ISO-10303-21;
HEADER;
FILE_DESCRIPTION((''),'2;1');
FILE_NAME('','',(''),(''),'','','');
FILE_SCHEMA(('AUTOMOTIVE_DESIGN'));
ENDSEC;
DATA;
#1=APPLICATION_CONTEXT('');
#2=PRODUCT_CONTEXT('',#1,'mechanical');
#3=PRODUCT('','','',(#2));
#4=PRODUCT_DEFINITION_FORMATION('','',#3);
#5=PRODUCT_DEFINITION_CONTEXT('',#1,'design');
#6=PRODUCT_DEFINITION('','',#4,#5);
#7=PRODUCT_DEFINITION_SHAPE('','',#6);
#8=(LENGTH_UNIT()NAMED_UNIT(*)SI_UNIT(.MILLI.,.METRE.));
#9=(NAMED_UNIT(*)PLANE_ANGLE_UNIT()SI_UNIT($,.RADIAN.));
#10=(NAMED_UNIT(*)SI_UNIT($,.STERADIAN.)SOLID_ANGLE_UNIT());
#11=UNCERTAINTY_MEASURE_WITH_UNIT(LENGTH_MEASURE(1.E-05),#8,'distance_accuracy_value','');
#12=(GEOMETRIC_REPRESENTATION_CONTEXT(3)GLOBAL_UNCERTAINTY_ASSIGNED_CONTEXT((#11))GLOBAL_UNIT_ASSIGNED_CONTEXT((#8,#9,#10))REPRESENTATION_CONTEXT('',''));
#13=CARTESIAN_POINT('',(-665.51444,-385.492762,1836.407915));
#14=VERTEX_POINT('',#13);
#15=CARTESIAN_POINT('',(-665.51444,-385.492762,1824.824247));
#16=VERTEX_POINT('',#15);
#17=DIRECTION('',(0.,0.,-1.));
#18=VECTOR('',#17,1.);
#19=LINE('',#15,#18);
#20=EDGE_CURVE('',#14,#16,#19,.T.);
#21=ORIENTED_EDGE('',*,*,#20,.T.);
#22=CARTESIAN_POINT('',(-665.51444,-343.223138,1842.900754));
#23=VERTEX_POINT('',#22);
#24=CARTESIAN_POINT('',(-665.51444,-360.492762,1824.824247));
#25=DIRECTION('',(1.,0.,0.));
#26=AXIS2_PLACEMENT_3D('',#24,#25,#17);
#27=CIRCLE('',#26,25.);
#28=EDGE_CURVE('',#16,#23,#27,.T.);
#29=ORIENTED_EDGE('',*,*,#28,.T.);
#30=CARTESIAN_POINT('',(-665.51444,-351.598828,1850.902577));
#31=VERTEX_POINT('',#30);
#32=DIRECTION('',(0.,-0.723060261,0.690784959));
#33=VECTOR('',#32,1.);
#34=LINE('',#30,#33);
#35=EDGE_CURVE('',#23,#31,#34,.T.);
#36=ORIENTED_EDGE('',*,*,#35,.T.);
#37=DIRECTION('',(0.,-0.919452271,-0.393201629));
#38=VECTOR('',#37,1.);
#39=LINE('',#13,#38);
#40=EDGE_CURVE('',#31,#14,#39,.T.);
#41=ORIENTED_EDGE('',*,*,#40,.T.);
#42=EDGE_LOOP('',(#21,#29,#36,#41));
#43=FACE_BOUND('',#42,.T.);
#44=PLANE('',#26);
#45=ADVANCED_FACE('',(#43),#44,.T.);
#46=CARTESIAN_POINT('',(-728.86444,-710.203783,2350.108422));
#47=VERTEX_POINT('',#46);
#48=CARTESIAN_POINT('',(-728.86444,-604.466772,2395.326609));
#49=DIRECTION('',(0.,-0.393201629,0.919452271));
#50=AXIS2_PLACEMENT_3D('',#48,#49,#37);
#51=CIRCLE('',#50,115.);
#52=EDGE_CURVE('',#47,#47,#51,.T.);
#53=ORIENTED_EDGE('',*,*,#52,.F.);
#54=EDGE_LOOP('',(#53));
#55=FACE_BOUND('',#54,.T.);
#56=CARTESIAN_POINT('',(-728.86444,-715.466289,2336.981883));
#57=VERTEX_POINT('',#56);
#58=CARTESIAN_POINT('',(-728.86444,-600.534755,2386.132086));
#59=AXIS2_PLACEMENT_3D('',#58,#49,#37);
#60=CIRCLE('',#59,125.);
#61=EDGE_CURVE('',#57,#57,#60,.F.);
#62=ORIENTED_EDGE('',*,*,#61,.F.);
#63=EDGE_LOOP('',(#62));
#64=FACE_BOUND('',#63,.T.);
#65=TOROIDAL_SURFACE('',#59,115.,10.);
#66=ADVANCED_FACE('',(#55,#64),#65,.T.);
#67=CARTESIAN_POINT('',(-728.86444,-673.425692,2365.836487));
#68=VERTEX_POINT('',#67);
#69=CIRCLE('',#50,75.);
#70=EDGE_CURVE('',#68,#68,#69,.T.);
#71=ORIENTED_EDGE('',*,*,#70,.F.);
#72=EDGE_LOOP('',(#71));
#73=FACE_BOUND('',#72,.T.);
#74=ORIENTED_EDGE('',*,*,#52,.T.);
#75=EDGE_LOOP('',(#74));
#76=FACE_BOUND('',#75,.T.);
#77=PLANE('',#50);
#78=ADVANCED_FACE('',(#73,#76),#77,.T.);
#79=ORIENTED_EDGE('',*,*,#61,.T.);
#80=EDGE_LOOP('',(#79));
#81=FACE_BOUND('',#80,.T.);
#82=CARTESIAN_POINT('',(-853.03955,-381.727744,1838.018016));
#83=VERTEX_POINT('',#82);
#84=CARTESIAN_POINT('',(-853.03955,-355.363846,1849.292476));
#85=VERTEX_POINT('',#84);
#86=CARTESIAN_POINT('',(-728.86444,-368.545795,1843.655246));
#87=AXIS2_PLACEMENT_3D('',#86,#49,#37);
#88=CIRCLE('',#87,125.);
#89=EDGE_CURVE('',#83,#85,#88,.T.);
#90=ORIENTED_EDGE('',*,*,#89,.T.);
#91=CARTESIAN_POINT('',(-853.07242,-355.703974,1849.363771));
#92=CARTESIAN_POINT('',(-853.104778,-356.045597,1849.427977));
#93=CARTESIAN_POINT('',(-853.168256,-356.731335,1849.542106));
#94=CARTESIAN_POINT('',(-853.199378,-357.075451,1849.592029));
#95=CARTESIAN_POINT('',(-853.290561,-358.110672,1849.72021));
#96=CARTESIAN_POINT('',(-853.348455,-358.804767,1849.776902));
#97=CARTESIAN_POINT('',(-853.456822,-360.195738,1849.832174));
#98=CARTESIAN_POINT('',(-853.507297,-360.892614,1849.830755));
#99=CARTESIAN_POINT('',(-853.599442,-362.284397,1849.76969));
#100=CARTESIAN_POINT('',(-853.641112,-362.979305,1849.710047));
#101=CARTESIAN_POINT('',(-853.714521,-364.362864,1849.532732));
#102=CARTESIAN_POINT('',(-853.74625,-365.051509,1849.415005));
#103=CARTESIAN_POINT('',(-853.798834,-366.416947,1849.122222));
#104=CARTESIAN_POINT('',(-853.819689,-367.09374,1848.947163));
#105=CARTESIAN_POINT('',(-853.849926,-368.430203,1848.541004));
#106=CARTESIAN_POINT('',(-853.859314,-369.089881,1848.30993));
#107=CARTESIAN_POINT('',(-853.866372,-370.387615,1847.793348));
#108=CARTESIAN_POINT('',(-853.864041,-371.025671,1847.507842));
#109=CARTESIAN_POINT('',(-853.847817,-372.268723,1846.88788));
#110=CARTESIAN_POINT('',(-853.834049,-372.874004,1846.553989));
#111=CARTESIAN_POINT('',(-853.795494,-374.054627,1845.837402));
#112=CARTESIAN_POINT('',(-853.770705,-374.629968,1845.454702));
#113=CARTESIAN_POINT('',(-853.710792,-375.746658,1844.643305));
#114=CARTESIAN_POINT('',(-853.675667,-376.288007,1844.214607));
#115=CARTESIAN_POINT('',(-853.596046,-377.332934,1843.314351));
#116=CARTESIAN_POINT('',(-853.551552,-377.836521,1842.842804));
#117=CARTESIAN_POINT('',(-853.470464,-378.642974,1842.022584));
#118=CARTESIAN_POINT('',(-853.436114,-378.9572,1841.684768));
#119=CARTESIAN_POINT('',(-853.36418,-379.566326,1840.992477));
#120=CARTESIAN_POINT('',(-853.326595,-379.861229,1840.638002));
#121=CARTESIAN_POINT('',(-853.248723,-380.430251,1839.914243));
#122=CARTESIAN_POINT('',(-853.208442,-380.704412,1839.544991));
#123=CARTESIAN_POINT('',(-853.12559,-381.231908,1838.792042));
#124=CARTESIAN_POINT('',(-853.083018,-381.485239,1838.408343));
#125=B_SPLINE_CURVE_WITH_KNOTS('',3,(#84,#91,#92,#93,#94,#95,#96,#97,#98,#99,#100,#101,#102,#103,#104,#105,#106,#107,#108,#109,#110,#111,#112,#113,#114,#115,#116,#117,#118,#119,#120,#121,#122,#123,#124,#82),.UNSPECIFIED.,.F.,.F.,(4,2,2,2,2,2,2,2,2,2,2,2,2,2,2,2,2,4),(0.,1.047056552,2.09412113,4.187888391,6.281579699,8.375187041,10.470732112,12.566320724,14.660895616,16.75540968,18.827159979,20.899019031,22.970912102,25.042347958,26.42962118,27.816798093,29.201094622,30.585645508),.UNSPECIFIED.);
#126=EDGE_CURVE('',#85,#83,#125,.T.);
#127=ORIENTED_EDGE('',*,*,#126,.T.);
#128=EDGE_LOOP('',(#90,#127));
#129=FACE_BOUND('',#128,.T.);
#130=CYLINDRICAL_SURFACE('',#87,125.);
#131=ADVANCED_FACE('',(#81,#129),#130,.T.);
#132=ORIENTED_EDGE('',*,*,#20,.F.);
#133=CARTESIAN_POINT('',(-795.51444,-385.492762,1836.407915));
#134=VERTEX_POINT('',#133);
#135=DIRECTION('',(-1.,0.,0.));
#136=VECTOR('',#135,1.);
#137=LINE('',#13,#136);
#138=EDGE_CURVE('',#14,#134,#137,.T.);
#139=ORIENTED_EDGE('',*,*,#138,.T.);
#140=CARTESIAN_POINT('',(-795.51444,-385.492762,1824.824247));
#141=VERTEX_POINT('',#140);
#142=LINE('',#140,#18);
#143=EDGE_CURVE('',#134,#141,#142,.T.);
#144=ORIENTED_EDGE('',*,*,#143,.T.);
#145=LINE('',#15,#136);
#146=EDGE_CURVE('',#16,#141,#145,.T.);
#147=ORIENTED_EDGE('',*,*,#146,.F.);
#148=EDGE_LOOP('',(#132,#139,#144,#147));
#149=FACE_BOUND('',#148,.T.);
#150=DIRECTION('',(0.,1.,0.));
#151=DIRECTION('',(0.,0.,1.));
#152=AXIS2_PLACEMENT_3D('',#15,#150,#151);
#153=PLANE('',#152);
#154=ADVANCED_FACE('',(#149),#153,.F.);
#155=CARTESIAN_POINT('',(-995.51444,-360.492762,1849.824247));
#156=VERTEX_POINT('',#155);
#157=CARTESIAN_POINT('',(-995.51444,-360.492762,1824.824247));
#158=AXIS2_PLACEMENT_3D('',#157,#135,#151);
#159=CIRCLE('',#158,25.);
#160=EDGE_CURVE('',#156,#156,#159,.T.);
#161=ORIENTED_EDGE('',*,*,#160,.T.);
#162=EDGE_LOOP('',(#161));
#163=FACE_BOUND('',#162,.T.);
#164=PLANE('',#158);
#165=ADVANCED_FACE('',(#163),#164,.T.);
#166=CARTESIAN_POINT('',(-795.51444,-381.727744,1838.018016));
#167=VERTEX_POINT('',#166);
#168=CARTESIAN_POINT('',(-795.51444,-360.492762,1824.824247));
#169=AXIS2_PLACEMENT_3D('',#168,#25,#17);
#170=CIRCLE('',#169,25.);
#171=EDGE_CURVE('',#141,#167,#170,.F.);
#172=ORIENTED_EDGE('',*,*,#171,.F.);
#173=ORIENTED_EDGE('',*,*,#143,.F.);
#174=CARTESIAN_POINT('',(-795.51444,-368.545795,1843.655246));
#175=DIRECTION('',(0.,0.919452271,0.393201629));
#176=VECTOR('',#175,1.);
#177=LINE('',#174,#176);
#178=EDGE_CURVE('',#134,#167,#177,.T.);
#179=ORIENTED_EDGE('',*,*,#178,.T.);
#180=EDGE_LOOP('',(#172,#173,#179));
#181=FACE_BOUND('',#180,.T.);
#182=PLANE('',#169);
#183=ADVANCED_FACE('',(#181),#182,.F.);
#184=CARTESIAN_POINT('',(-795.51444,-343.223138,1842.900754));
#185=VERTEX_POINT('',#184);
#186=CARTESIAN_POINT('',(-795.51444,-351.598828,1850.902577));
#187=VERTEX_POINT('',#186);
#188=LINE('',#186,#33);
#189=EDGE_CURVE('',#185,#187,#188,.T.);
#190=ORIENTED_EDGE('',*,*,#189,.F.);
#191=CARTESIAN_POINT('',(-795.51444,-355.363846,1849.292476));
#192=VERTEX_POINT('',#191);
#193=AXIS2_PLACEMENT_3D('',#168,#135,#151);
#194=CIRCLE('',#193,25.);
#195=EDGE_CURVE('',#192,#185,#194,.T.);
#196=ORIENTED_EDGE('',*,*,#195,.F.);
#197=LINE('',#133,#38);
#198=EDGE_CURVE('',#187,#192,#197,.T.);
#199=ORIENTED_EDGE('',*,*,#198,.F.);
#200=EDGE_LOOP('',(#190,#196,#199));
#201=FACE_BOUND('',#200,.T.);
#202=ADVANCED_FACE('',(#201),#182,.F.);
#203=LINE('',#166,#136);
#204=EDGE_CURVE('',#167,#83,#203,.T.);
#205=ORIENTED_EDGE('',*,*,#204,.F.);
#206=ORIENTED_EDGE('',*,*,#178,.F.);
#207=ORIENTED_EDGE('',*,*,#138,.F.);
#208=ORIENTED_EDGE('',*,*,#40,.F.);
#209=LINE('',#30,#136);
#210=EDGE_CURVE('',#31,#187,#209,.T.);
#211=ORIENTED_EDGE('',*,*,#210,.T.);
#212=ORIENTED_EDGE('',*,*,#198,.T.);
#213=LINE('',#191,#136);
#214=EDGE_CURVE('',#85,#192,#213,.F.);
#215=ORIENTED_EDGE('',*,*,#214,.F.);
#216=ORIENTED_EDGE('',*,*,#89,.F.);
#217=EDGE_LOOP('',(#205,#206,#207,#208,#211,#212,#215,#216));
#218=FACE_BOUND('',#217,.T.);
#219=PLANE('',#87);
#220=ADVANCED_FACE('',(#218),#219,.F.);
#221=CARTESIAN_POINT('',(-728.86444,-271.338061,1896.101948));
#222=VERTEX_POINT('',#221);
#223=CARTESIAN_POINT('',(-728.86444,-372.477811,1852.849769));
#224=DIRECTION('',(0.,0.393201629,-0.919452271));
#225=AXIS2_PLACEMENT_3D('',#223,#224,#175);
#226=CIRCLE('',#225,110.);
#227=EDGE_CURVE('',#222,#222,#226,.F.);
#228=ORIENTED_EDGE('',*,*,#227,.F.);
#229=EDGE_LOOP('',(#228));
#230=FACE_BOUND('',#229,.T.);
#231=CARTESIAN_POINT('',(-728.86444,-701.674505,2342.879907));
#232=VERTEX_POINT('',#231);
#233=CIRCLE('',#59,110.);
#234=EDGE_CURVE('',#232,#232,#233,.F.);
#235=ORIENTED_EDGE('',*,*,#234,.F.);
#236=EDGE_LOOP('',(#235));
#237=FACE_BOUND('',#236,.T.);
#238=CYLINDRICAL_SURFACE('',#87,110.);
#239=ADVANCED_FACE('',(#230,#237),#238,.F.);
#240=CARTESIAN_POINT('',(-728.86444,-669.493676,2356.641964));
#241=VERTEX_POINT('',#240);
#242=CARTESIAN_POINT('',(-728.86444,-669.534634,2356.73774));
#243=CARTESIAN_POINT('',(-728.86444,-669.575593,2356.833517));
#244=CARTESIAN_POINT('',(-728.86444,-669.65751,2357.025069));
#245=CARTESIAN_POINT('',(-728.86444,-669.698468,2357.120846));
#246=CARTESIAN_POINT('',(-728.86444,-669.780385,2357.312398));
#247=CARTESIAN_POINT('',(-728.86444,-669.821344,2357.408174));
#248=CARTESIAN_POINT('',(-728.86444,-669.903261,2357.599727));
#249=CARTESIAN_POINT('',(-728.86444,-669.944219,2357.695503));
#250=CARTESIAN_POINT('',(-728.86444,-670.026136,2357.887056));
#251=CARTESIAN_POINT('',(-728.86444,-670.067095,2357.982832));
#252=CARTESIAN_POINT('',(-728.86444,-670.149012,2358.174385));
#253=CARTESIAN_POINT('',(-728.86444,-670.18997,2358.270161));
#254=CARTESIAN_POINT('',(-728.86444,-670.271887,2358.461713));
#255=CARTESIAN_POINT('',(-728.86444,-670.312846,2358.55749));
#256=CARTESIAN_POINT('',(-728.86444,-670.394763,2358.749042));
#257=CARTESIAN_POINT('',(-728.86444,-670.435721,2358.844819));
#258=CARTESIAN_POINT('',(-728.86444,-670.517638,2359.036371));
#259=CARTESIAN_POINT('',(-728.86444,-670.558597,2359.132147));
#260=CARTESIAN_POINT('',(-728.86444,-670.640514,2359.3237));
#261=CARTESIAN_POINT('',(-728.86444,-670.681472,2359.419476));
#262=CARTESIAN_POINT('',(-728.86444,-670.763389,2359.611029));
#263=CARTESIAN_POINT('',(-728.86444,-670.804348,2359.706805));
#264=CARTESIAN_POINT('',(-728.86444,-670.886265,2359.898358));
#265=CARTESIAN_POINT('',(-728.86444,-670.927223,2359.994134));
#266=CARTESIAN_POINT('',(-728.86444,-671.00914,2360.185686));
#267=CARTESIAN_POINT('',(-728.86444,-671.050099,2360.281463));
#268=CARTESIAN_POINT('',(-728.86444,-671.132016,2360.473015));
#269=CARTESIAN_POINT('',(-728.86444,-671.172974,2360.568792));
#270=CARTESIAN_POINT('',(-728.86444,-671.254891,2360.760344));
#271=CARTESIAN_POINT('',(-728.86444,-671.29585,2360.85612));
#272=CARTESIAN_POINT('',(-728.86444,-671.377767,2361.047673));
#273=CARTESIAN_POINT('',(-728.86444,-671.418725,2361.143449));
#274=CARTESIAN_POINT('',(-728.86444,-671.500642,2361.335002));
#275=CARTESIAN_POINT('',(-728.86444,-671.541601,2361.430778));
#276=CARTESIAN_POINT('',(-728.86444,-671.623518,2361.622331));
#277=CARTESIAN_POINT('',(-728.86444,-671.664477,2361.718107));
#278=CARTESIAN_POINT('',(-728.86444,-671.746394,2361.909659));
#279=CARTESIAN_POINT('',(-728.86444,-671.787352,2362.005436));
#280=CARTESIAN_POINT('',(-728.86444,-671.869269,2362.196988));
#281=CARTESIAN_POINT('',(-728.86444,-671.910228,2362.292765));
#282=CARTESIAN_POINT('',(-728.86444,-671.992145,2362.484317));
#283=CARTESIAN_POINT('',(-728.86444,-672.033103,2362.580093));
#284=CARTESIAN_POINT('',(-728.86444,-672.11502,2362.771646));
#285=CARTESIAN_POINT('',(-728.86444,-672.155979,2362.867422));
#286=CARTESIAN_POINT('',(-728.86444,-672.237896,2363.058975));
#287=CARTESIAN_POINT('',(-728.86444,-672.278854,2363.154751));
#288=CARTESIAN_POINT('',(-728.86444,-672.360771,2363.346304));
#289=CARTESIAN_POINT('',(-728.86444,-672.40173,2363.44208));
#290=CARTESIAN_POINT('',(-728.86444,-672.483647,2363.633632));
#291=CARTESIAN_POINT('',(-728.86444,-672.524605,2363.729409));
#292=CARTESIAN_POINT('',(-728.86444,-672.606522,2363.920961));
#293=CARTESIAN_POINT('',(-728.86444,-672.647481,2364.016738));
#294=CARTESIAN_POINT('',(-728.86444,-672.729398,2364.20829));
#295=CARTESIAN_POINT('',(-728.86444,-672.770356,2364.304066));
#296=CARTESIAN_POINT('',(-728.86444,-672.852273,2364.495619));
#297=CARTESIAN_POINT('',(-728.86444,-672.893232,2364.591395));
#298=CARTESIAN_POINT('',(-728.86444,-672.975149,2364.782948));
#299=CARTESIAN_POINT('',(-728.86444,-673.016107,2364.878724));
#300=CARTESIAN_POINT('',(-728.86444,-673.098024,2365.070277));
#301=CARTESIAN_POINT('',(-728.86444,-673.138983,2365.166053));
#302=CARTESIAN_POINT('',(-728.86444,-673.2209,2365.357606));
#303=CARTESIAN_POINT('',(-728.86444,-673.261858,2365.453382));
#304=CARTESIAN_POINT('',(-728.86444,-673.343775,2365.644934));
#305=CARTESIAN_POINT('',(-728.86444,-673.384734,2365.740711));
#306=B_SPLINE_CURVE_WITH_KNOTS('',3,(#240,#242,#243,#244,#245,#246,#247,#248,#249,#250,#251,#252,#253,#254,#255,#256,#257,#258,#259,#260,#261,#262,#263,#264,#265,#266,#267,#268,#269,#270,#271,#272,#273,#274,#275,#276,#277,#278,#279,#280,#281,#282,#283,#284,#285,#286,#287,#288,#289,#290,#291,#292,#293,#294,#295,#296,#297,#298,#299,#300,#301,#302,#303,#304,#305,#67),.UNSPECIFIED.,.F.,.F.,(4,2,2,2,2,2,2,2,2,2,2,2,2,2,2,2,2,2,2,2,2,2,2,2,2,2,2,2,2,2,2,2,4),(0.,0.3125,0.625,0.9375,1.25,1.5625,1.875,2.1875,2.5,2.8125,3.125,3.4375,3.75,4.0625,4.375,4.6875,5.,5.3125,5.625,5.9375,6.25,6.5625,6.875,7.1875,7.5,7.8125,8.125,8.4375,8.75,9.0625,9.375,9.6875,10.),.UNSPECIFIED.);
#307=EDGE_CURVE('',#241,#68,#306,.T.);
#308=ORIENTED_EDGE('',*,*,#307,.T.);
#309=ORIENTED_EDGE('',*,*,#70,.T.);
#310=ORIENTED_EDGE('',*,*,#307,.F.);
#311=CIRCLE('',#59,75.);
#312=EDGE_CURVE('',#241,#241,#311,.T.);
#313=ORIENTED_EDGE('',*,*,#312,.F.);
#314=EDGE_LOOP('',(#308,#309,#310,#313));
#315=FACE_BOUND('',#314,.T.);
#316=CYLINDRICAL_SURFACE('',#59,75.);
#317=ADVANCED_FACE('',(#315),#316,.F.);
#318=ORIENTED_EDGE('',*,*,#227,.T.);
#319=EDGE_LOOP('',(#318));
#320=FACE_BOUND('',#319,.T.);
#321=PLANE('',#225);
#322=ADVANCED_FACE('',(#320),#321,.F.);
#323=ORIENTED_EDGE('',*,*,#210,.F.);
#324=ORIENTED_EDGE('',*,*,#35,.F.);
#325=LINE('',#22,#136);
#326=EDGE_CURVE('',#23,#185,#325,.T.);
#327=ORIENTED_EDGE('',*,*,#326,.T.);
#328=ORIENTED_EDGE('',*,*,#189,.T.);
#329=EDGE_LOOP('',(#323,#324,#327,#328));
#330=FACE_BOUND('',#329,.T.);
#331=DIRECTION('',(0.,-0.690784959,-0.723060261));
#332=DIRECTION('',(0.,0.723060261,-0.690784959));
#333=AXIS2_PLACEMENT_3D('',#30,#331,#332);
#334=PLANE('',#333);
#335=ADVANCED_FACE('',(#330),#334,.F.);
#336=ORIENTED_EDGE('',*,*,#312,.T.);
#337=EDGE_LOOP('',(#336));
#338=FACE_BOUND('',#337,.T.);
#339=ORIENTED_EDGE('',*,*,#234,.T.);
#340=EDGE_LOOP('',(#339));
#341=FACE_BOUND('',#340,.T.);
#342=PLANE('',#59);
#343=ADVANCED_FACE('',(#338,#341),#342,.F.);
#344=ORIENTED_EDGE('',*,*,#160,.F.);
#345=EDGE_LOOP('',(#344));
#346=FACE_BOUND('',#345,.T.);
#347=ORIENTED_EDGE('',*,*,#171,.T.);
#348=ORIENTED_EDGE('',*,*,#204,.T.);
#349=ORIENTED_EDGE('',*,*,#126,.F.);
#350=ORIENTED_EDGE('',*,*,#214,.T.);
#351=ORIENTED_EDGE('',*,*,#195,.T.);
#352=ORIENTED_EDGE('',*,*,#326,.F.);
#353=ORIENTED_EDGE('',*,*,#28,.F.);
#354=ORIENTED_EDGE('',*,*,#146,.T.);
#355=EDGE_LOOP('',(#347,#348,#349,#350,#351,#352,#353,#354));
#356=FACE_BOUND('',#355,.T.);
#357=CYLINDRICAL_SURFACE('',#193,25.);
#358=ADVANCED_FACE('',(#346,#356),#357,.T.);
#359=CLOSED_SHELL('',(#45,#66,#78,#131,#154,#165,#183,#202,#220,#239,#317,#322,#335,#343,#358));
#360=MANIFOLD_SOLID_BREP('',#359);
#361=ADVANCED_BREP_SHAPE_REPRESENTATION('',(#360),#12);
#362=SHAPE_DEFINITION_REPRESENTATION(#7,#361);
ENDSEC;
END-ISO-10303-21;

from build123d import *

# Parameters (mm, degrees)
CROQUIS2_R              = 25.000000002
SALIENTE_EXTRUIR1_DEPTH = 200
SALIENTE_EXTRUIR3_START = -550
CROQUIS5_R              = 125
CROQUIS5_R_2            = 110
SALIENTE_EXTRUIR3_DEPTH = 600
CROQUIS6_R              = 125
CROQUIS6_R_2            = 75
SALIENTE_EXTRUIR4_DEPTH = 10
REDONDEO1_R             = 10
SALIENTE_EXTRUIR5_START = -10
CROQUIS7_R              = 125
SALIENTE_EXTRUIR5_DEPTH = 10
SALIENTE_EXTRUIR7_DEPTH = 130


with BuildPart() as part:
    # Croquis2 → Saliente-Extruir1 (new body)
    with BuildSketch(Plane.ZY.offset(995.514439922)):
        with Locations((1824.824247225, -360.492761656)):
            Circle(CROQUIS2_R)
    extrude(amount=-SALIENTE_EXTRUIR1_DEPTH)

    # Croquis5 → Saliente-Extruir3 (add)
    with BuildSketch(Plane(origin=(0, -1175.698746169, 2749.222800852), x_dir=(1, 0, 0), z_dir=(0, -0.39320162856731994, 0.919452271350725)).offset(SALIENTE_EXTRUIR3_START)):
        with Locations(Location((-728.864439922, 386.067977351, 0), (0, 0, 270))):
            Circle(CROQUIS5_R)
        with Locations(Location((-728.864439922, 386.067977351, 0), (0, 0, 270))):
            Circle(CROQUIS5_R_2, mode=Mode.SUBTRACT)
    extrude(amount=-SALIENTE_EXTRUIR3_DEPTH)

    # Croquis6 → Saliente-Extruir4 (add)
    with BuildSketch(Plane(origin=(0, -959.437850457, 2243.524051609), x_dir=(1, 0, 0), z_dir=(0, -0.39320162856732, 0.919452271350725))):
        with Locations(Location((-728.864439922, 386.067977351, 0), (0, 0, 270))):
            Circle(CROQUIS6_R)
        with Locations(Location((-728.864439922, 386.067977351, 0), (0, 0, 270))):
            Circle(CROQUIS6_R_2, mode=Mode.SUBTRACT)
    extrude(amount=-SALIENTE_EXTRUIR4_DEPTH)

    # Redondeo1
    redondeo1_edges = [part.edges().sort_by_distance(p)[0] for p in [
        (-728.864439922, -489.535237867, 2444.476812612),
    ]]
    fillet(redondeo1_edges, radius=REDONDEO1_R)

    # Croquis7 → Saliente-Extruir5 (add)
    with BuildSketch(Plane(origin=(0, -723.516873317, 1691.852688798), x_dir=(-1, 0, 0), z_dir=(0, 0.39320162856732, -0.919452271350725)).offset(SALIENTE_EXTRUIR5_START)):
        with Locations(Location((728.864439922, 386.067977351, 0), (0, 0, 270))):
            Circle(CROQUIS7_R)
    extrude(amount=SALIENTE_EXTRUIR5_DEPTH)

    # Croquis11 → Saliente-Extruir7 (add)
    with BuildSketch(Plane(origin=(-795.514439922, 0, 0), x_dir=(0, 0, -1), z_dir=(1, 0, 0))):
        with BuildLine():
            Line((-1850.902577314, -351.598827639), (-1842.90075375, -343.22313769))
            ThreePointArc((-1842.90075375, -343.22313769), (-1801.83794044, -350.662720941), (-1824.824247225, -385.492761657))
            Line((-1824.824247225, -385.492761657), (-1836.407915144, -385.492761657))
            Line((-1836.407915144, -385.492761657), (-1850.902577314, -351.598827639))
        make_face()
    extrude(amount=SALIENTE_EXTRUIR7_DEPTH)


solid = part.part
